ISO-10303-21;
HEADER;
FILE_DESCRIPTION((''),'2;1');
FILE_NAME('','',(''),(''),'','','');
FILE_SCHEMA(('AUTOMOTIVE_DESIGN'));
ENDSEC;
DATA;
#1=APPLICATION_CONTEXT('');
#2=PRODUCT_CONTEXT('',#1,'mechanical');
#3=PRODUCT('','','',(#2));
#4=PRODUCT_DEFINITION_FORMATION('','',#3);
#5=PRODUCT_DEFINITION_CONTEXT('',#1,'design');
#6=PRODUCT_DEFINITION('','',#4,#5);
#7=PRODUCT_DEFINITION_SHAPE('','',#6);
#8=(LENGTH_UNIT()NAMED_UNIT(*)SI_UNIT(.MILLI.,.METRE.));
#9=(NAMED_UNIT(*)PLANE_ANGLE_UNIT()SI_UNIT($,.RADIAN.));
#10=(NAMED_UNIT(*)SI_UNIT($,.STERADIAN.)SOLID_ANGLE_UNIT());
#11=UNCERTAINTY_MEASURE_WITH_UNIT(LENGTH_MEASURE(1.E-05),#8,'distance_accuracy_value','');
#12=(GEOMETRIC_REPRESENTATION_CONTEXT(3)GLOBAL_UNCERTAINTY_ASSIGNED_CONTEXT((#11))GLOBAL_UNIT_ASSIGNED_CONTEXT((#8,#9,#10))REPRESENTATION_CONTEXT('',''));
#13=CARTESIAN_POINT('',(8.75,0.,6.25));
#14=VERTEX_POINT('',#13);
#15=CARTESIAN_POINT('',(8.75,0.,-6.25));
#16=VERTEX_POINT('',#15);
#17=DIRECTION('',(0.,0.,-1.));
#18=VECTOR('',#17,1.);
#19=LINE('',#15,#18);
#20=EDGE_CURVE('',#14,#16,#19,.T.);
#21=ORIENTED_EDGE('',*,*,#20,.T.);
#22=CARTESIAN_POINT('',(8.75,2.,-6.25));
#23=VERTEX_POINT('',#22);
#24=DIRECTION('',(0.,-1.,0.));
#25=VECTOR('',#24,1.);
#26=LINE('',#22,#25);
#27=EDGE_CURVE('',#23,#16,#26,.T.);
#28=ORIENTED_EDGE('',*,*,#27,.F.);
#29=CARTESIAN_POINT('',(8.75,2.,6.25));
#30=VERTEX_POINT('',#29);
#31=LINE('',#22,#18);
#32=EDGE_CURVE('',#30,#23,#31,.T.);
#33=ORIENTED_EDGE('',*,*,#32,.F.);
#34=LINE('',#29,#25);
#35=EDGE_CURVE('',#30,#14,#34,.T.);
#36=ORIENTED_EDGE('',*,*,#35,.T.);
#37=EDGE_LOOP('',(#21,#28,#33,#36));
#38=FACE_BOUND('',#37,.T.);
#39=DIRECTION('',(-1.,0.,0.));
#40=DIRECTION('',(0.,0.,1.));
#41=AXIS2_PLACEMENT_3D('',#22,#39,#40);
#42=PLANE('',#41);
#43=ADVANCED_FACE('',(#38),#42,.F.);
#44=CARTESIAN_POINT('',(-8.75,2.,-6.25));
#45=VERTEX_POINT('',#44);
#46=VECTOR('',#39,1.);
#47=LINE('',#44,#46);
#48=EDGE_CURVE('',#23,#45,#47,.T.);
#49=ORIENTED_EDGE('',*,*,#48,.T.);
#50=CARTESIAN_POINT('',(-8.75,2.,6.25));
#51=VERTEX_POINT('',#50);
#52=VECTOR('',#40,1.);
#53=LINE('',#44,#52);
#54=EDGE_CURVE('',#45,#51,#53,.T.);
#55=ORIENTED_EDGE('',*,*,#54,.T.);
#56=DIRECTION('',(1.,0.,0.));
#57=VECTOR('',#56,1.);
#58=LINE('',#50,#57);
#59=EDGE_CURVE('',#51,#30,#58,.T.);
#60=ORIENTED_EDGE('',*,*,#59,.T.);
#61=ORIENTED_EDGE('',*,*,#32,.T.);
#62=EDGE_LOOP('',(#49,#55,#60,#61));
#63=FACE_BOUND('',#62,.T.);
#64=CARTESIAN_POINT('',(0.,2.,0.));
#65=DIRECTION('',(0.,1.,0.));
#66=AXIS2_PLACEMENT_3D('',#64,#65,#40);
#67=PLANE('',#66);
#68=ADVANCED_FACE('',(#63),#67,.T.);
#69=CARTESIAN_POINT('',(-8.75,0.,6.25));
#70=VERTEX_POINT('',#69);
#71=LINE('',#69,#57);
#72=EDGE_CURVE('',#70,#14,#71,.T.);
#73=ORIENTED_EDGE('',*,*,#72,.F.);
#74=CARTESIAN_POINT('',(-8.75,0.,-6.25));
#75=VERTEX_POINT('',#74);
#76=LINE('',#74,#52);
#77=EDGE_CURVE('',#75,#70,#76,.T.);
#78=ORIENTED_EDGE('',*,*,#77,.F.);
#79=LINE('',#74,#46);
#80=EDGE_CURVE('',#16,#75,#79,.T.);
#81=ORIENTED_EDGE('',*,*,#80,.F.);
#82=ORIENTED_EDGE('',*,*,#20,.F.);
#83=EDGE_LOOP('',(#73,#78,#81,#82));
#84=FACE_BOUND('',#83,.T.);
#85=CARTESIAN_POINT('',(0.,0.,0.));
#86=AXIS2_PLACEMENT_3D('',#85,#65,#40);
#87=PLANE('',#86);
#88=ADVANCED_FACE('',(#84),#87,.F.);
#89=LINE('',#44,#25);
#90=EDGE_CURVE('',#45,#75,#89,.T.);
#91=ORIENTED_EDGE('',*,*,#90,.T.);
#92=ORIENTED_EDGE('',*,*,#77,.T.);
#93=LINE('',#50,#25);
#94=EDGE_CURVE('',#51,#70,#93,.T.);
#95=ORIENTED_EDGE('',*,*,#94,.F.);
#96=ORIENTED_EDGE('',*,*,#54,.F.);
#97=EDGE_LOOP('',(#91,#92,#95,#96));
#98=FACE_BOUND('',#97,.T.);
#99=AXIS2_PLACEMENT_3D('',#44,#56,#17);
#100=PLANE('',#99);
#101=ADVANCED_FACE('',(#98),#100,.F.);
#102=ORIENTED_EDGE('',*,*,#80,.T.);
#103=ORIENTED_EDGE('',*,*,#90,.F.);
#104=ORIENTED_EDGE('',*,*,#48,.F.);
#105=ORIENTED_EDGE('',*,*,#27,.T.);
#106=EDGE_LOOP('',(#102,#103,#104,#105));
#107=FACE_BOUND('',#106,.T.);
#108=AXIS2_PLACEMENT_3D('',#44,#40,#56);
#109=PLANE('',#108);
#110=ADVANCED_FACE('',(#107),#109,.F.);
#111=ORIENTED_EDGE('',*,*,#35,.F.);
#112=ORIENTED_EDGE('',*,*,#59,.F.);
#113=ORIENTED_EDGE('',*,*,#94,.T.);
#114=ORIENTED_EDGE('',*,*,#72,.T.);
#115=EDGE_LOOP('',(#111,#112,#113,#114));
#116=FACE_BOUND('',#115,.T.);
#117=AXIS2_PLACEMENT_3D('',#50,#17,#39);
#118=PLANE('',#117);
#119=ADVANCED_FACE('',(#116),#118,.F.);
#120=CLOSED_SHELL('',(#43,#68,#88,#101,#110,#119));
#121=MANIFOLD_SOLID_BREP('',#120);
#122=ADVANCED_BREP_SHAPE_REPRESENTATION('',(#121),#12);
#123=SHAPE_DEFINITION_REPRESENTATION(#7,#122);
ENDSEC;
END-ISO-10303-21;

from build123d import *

# Parameters (mm, degrees)
SKETCH_1_W      = 17.5
SKETCH_1_H      = 12.5
EXTRUDE_1_DEPTH = 2


with BuildPart() as part:
    # 草图1 → 凸台-拉伸1 (new body)
    with BuildSketch(Plane(origin=(0, 0, 0), x_dir=(1, 0, 0), z_dir=(0, 1, 0))):
        Rectangle(SKETCH_1_W, SKETCH_1_H)
    extrude(amount=EXTRUDE_1_DEPTH)


solid = part.part
